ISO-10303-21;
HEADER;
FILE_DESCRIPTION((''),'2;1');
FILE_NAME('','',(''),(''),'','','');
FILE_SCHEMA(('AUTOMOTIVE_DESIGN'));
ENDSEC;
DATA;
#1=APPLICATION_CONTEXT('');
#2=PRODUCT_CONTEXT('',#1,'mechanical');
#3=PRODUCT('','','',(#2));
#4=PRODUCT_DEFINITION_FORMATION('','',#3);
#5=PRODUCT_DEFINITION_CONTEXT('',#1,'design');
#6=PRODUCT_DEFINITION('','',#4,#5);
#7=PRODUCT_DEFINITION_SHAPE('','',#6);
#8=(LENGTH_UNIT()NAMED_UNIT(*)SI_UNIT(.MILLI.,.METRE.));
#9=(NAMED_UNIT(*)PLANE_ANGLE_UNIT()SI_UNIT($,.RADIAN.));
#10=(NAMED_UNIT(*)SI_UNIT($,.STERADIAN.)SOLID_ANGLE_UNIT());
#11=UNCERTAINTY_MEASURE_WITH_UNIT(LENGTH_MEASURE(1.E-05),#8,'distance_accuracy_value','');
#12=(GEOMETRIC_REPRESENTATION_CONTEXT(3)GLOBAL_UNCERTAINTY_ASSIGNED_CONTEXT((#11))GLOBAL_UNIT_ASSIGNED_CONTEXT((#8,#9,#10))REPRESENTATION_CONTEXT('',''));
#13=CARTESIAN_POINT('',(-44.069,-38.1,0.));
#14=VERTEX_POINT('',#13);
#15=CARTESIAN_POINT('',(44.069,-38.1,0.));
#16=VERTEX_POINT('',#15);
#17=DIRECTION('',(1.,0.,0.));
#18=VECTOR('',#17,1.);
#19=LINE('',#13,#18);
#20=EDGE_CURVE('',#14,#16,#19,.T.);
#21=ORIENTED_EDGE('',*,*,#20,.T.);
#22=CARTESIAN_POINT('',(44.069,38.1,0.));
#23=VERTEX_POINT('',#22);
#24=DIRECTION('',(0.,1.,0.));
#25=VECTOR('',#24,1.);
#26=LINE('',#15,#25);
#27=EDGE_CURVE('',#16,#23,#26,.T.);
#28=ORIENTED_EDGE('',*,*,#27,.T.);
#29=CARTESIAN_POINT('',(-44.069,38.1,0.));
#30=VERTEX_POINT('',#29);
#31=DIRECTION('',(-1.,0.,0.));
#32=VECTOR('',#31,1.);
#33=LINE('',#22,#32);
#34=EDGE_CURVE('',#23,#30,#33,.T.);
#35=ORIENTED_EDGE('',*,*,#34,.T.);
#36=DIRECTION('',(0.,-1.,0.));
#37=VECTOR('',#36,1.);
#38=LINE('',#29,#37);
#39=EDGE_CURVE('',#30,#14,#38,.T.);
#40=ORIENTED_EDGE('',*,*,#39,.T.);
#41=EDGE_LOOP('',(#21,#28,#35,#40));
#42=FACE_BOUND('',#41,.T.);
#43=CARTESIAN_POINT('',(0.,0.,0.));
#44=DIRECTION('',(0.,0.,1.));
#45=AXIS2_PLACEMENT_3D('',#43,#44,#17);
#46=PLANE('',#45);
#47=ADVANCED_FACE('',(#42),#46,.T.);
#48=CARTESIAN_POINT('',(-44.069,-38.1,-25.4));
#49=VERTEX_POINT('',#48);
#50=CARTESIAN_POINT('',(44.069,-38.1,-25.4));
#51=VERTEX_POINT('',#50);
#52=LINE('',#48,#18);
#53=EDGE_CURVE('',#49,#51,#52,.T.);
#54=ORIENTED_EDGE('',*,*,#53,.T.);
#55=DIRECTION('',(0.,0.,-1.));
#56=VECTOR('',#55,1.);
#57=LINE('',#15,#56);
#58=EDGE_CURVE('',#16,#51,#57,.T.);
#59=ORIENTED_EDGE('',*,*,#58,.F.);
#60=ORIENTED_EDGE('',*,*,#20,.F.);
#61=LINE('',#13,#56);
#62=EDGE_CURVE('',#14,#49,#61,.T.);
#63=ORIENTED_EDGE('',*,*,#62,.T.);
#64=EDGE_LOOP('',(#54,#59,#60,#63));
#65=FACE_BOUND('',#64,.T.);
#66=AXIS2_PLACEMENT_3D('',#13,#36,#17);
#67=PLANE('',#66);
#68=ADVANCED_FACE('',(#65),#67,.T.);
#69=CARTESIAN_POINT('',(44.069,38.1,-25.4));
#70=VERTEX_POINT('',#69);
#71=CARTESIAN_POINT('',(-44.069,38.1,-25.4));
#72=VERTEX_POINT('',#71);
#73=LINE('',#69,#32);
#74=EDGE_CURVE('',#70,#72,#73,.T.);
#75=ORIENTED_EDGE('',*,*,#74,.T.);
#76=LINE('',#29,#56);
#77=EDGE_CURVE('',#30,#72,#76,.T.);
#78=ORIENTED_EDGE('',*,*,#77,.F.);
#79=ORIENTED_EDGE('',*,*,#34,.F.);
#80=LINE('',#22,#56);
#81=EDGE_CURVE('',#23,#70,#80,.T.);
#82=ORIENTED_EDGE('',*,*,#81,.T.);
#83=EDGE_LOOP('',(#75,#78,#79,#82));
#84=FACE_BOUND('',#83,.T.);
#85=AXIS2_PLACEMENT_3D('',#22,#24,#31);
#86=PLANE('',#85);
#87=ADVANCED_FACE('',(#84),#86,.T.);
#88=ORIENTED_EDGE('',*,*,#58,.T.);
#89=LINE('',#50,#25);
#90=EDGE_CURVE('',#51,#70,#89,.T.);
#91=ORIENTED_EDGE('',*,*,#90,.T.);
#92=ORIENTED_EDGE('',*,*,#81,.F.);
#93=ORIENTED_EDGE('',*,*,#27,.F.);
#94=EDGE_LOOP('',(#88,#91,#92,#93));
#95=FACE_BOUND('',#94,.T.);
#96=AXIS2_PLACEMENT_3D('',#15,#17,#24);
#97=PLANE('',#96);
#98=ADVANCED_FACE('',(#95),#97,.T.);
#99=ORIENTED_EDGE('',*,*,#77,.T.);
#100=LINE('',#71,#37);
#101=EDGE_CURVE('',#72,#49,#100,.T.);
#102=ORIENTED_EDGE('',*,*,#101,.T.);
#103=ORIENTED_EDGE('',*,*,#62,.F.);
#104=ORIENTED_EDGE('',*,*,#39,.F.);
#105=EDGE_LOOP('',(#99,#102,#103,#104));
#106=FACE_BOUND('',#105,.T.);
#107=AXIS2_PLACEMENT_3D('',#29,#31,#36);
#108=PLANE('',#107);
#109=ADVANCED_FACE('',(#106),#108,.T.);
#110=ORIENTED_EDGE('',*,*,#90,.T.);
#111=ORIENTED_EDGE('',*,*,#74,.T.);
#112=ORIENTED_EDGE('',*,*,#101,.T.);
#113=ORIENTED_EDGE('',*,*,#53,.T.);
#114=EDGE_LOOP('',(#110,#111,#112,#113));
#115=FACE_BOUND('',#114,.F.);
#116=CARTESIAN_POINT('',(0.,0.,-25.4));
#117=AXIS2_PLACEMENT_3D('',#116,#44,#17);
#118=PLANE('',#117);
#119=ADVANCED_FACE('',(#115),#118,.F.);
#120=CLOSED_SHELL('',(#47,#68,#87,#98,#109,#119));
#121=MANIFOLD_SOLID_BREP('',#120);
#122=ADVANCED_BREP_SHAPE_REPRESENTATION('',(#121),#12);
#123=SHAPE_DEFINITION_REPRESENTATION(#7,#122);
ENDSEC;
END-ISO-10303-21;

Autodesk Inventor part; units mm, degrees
ref_plane "YZ Plane" through (0, 0, 0) normal (1, 0, 0) x (0, 1, 0)
ref_plane "XZ Plane" through (0, 0, 0) normal (0, 1, 0) x (-1, 0, 0)
ref_plane "XY Plane" through (0, 0, 0) normal (0, 0, 1) x (1, 0, 0)
sketch "Sketch1" plane through (0, 0, 0) normal (0, 0, 1) x (1, 0, 0)
  line L0 (-44.069, -38.1) -> (44.069, -38.1)
  line L1 (44.069, -38.1) -> (44.069, 38.1)
  line L2 (44.069, 38.1) -> (-44.069, 38.1)
  line L3 (-44.069, 38.1) -> (-44.069, -38.1)
  line L4 (-44.069, -38.1) -> (44.069, 38.1) construction
  line L5 (44.069, -38.1) -> (-44.069, 38.1) construction
  point P0 (0, 0)
  dimension "d0" = 88.138
  dimension "d1" = 76.2
extrude "Extrusion1" add sketch "Sketch1" against normal blind 25.4
properties part number "supportBlock"
